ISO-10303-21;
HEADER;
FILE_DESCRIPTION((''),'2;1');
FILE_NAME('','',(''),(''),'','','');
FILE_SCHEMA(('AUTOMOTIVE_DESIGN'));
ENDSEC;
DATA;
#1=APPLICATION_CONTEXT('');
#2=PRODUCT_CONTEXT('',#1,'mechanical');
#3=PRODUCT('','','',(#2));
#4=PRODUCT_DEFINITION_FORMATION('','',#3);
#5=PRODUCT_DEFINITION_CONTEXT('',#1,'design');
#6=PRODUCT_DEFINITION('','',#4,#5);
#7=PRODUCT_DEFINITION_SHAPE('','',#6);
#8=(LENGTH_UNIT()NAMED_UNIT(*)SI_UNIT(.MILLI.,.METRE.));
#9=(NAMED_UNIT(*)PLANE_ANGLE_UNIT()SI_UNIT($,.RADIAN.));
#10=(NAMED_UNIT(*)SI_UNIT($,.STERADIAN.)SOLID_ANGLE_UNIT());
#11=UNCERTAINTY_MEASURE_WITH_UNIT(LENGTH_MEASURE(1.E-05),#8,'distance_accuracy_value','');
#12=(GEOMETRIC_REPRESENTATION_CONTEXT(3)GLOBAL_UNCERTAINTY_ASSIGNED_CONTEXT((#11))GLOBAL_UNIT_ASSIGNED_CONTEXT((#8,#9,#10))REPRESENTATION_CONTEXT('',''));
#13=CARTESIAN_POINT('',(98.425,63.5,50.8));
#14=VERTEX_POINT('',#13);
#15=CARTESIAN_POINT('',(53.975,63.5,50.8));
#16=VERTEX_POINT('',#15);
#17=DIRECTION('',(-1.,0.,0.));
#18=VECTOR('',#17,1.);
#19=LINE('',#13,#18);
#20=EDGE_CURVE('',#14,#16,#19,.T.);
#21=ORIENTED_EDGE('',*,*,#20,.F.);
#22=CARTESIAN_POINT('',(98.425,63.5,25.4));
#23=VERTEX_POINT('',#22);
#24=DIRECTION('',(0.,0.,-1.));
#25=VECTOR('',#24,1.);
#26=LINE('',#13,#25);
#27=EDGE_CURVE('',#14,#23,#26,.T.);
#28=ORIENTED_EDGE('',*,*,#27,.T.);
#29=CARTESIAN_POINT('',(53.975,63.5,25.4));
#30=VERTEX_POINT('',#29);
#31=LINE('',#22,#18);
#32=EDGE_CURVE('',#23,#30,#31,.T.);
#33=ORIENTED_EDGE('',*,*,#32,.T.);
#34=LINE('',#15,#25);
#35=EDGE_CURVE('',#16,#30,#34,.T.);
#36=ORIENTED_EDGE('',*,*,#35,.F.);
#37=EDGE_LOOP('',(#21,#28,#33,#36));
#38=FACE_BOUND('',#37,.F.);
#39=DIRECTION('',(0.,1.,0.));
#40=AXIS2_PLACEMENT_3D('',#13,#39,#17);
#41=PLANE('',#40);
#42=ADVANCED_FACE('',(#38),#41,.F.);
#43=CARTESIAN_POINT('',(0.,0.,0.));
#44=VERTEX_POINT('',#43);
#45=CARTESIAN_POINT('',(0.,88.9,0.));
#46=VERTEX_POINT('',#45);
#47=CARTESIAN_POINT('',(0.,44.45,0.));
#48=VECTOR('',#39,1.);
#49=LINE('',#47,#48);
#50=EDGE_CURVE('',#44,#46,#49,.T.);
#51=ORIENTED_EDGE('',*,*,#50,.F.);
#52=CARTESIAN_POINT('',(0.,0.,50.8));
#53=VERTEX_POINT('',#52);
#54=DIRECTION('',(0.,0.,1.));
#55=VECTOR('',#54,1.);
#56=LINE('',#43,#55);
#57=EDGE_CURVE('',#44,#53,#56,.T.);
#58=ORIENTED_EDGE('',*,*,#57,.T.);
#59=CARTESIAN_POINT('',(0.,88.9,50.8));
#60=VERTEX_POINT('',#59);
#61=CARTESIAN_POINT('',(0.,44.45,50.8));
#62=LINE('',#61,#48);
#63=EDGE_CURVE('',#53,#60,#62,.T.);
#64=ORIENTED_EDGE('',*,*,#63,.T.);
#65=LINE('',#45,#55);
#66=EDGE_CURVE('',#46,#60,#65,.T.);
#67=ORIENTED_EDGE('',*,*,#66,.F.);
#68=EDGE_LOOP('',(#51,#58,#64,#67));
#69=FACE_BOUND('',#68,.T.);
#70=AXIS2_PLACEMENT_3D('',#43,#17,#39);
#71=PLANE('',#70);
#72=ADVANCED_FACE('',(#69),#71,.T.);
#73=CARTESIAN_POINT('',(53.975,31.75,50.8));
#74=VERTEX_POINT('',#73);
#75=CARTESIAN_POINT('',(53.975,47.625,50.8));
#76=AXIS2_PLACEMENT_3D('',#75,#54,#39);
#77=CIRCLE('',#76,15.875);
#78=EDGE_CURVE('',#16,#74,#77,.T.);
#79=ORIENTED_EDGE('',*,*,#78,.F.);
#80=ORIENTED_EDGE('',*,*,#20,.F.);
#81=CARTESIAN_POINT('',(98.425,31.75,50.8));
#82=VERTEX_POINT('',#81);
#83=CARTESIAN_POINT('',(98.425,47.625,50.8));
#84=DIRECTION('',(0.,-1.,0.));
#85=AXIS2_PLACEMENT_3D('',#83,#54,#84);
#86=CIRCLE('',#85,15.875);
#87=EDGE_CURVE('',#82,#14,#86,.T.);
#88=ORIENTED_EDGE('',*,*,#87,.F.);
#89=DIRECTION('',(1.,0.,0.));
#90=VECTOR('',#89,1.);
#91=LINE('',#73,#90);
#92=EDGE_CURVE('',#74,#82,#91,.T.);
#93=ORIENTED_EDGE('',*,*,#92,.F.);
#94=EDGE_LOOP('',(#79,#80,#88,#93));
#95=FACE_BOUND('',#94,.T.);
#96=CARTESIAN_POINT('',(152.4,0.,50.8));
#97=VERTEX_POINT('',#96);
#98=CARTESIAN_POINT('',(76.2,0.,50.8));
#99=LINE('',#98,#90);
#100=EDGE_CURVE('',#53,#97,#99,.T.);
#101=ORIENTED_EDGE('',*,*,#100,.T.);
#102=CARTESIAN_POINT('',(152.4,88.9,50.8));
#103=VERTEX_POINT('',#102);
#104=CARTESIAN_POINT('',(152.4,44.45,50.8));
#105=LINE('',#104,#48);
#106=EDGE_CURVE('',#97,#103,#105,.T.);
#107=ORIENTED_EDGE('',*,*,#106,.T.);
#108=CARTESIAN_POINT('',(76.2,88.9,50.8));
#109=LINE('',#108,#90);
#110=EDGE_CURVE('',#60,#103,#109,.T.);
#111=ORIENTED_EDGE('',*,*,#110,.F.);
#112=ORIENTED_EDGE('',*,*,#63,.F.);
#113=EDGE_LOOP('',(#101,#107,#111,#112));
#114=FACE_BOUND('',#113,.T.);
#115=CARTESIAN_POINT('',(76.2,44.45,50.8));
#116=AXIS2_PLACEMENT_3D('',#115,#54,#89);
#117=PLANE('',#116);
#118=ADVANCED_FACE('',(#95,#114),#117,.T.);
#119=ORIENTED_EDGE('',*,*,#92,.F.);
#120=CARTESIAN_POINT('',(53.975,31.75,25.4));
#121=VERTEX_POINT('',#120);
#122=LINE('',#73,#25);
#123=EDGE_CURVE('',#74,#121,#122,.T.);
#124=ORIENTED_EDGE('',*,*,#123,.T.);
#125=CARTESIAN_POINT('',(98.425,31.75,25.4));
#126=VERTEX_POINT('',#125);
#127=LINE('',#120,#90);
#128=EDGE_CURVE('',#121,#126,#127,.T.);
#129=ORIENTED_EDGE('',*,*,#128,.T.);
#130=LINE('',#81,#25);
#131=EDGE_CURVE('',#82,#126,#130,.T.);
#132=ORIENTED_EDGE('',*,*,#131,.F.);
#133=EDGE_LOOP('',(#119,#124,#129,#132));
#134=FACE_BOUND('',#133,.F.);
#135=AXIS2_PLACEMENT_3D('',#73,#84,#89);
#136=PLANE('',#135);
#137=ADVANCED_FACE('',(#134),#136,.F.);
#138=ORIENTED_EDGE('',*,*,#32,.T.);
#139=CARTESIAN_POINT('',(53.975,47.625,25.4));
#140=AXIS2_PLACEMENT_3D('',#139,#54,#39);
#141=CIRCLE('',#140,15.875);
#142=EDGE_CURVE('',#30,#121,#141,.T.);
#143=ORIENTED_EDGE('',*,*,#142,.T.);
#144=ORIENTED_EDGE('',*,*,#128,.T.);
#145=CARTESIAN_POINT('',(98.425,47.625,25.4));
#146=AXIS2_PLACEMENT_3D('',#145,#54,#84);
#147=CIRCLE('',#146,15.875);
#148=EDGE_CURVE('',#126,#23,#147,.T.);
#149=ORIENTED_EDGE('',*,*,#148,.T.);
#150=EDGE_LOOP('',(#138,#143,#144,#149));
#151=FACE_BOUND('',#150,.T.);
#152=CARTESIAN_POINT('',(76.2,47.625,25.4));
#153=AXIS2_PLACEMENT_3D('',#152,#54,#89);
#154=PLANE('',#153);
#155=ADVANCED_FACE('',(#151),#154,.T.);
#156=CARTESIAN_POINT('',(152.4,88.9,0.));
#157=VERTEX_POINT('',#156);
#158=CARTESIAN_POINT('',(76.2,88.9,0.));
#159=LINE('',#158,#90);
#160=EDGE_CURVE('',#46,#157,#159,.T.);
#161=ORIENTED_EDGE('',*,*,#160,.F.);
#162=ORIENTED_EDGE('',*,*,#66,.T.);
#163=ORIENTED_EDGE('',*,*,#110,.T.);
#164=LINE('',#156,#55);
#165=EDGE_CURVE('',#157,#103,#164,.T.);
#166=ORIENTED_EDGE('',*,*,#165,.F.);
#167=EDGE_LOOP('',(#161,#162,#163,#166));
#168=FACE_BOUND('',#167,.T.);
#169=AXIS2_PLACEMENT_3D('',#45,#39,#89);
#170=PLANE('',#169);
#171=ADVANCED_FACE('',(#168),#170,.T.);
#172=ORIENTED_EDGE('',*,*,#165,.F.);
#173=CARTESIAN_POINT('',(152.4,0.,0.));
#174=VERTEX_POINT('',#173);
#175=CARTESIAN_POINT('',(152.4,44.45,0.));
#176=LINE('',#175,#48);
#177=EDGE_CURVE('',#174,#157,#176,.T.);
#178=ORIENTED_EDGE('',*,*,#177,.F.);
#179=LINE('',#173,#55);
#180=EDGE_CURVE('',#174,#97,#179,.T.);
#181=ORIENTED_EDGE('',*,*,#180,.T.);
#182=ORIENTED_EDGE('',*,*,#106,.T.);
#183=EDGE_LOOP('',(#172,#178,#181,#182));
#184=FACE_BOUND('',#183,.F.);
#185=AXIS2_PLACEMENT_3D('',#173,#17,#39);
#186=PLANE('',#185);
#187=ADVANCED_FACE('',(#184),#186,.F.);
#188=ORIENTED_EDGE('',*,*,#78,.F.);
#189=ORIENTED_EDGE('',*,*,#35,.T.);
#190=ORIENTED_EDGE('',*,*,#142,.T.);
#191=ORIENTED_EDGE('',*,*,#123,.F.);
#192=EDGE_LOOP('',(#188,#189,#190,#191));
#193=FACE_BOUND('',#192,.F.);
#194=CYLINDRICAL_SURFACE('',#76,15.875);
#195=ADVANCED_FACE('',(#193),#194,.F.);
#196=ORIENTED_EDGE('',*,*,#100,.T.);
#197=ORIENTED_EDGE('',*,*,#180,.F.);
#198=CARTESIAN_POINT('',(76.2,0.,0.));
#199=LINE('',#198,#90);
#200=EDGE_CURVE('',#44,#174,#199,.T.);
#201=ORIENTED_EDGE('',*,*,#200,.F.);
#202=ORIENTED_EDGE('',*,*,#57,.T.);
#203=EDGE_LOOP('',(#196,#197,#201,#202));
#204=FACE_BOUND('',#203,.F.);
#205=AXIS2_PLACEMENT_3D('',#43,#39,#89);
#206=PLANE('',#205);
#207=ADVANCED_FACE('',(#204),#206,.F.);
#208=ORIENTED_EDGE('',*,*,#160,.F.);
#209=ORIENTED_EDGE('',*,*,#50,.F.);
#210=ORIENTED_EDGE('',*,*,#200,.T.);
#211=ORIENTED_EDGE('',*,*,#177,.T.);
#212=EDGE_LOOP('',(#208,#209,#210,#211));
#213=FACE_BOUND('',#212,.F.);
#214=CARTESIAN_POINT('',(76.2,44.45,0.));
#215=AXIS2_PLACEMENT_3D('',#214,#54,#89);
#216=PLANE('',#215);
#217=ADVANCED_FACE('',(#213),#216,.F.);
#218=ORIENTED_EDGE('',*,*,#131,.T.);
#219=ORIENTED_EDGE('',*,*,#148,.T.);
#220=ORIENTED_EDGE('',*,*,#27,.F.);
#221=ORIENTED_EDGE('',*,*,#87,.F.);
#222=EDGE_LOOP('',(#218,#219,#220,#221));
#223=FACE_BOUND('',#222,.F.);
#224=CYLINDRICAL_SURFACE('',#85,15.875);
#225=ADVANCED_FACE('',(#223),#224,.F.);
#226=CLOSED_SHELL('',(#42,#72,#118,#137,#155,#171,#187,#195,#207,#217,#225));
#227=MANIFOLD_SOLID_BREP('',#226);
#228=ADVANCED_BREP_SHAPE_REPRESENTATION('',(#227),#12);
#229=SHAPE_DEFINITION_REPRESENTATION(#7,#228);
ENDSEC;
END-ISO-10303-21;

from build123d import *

# Parameters (mm, degrees)
F0_W     = 152.4
F0_H     = 88.9
F1_DEPTH = 50.8
F3_DEPTH = 25.4


with BuildPart() as f1:
    # F0 (on Top) → F1 (new body)
    with BuildSketch(Plane.XY):
        with Locations((76.2, 44.45)):
            Rectangle(F0_W, F0_H)
    extrude(amount=F1_DEPTH)

    # F2 (on face) → F3 (cut)
    with BuildSketch(Plane.XY.offset(50.8)):
        with BuildLine():
            ThreePointArc((53.975, 63.5), (38.1, 47.625), (53.975, 31.75))
            Line((53.975, 31.75), (98.425, 31.75))
            ThreePointArc((98.425, 31.75), (114.3, 47.625), (98.425, 63.5))
            Line((98.425, 63.5), (53.975, 63.5))
        make_face()
    extrude(amount=-F3_DEPTH, mode=Mode.SUBTRACT)


solid = f1.part
